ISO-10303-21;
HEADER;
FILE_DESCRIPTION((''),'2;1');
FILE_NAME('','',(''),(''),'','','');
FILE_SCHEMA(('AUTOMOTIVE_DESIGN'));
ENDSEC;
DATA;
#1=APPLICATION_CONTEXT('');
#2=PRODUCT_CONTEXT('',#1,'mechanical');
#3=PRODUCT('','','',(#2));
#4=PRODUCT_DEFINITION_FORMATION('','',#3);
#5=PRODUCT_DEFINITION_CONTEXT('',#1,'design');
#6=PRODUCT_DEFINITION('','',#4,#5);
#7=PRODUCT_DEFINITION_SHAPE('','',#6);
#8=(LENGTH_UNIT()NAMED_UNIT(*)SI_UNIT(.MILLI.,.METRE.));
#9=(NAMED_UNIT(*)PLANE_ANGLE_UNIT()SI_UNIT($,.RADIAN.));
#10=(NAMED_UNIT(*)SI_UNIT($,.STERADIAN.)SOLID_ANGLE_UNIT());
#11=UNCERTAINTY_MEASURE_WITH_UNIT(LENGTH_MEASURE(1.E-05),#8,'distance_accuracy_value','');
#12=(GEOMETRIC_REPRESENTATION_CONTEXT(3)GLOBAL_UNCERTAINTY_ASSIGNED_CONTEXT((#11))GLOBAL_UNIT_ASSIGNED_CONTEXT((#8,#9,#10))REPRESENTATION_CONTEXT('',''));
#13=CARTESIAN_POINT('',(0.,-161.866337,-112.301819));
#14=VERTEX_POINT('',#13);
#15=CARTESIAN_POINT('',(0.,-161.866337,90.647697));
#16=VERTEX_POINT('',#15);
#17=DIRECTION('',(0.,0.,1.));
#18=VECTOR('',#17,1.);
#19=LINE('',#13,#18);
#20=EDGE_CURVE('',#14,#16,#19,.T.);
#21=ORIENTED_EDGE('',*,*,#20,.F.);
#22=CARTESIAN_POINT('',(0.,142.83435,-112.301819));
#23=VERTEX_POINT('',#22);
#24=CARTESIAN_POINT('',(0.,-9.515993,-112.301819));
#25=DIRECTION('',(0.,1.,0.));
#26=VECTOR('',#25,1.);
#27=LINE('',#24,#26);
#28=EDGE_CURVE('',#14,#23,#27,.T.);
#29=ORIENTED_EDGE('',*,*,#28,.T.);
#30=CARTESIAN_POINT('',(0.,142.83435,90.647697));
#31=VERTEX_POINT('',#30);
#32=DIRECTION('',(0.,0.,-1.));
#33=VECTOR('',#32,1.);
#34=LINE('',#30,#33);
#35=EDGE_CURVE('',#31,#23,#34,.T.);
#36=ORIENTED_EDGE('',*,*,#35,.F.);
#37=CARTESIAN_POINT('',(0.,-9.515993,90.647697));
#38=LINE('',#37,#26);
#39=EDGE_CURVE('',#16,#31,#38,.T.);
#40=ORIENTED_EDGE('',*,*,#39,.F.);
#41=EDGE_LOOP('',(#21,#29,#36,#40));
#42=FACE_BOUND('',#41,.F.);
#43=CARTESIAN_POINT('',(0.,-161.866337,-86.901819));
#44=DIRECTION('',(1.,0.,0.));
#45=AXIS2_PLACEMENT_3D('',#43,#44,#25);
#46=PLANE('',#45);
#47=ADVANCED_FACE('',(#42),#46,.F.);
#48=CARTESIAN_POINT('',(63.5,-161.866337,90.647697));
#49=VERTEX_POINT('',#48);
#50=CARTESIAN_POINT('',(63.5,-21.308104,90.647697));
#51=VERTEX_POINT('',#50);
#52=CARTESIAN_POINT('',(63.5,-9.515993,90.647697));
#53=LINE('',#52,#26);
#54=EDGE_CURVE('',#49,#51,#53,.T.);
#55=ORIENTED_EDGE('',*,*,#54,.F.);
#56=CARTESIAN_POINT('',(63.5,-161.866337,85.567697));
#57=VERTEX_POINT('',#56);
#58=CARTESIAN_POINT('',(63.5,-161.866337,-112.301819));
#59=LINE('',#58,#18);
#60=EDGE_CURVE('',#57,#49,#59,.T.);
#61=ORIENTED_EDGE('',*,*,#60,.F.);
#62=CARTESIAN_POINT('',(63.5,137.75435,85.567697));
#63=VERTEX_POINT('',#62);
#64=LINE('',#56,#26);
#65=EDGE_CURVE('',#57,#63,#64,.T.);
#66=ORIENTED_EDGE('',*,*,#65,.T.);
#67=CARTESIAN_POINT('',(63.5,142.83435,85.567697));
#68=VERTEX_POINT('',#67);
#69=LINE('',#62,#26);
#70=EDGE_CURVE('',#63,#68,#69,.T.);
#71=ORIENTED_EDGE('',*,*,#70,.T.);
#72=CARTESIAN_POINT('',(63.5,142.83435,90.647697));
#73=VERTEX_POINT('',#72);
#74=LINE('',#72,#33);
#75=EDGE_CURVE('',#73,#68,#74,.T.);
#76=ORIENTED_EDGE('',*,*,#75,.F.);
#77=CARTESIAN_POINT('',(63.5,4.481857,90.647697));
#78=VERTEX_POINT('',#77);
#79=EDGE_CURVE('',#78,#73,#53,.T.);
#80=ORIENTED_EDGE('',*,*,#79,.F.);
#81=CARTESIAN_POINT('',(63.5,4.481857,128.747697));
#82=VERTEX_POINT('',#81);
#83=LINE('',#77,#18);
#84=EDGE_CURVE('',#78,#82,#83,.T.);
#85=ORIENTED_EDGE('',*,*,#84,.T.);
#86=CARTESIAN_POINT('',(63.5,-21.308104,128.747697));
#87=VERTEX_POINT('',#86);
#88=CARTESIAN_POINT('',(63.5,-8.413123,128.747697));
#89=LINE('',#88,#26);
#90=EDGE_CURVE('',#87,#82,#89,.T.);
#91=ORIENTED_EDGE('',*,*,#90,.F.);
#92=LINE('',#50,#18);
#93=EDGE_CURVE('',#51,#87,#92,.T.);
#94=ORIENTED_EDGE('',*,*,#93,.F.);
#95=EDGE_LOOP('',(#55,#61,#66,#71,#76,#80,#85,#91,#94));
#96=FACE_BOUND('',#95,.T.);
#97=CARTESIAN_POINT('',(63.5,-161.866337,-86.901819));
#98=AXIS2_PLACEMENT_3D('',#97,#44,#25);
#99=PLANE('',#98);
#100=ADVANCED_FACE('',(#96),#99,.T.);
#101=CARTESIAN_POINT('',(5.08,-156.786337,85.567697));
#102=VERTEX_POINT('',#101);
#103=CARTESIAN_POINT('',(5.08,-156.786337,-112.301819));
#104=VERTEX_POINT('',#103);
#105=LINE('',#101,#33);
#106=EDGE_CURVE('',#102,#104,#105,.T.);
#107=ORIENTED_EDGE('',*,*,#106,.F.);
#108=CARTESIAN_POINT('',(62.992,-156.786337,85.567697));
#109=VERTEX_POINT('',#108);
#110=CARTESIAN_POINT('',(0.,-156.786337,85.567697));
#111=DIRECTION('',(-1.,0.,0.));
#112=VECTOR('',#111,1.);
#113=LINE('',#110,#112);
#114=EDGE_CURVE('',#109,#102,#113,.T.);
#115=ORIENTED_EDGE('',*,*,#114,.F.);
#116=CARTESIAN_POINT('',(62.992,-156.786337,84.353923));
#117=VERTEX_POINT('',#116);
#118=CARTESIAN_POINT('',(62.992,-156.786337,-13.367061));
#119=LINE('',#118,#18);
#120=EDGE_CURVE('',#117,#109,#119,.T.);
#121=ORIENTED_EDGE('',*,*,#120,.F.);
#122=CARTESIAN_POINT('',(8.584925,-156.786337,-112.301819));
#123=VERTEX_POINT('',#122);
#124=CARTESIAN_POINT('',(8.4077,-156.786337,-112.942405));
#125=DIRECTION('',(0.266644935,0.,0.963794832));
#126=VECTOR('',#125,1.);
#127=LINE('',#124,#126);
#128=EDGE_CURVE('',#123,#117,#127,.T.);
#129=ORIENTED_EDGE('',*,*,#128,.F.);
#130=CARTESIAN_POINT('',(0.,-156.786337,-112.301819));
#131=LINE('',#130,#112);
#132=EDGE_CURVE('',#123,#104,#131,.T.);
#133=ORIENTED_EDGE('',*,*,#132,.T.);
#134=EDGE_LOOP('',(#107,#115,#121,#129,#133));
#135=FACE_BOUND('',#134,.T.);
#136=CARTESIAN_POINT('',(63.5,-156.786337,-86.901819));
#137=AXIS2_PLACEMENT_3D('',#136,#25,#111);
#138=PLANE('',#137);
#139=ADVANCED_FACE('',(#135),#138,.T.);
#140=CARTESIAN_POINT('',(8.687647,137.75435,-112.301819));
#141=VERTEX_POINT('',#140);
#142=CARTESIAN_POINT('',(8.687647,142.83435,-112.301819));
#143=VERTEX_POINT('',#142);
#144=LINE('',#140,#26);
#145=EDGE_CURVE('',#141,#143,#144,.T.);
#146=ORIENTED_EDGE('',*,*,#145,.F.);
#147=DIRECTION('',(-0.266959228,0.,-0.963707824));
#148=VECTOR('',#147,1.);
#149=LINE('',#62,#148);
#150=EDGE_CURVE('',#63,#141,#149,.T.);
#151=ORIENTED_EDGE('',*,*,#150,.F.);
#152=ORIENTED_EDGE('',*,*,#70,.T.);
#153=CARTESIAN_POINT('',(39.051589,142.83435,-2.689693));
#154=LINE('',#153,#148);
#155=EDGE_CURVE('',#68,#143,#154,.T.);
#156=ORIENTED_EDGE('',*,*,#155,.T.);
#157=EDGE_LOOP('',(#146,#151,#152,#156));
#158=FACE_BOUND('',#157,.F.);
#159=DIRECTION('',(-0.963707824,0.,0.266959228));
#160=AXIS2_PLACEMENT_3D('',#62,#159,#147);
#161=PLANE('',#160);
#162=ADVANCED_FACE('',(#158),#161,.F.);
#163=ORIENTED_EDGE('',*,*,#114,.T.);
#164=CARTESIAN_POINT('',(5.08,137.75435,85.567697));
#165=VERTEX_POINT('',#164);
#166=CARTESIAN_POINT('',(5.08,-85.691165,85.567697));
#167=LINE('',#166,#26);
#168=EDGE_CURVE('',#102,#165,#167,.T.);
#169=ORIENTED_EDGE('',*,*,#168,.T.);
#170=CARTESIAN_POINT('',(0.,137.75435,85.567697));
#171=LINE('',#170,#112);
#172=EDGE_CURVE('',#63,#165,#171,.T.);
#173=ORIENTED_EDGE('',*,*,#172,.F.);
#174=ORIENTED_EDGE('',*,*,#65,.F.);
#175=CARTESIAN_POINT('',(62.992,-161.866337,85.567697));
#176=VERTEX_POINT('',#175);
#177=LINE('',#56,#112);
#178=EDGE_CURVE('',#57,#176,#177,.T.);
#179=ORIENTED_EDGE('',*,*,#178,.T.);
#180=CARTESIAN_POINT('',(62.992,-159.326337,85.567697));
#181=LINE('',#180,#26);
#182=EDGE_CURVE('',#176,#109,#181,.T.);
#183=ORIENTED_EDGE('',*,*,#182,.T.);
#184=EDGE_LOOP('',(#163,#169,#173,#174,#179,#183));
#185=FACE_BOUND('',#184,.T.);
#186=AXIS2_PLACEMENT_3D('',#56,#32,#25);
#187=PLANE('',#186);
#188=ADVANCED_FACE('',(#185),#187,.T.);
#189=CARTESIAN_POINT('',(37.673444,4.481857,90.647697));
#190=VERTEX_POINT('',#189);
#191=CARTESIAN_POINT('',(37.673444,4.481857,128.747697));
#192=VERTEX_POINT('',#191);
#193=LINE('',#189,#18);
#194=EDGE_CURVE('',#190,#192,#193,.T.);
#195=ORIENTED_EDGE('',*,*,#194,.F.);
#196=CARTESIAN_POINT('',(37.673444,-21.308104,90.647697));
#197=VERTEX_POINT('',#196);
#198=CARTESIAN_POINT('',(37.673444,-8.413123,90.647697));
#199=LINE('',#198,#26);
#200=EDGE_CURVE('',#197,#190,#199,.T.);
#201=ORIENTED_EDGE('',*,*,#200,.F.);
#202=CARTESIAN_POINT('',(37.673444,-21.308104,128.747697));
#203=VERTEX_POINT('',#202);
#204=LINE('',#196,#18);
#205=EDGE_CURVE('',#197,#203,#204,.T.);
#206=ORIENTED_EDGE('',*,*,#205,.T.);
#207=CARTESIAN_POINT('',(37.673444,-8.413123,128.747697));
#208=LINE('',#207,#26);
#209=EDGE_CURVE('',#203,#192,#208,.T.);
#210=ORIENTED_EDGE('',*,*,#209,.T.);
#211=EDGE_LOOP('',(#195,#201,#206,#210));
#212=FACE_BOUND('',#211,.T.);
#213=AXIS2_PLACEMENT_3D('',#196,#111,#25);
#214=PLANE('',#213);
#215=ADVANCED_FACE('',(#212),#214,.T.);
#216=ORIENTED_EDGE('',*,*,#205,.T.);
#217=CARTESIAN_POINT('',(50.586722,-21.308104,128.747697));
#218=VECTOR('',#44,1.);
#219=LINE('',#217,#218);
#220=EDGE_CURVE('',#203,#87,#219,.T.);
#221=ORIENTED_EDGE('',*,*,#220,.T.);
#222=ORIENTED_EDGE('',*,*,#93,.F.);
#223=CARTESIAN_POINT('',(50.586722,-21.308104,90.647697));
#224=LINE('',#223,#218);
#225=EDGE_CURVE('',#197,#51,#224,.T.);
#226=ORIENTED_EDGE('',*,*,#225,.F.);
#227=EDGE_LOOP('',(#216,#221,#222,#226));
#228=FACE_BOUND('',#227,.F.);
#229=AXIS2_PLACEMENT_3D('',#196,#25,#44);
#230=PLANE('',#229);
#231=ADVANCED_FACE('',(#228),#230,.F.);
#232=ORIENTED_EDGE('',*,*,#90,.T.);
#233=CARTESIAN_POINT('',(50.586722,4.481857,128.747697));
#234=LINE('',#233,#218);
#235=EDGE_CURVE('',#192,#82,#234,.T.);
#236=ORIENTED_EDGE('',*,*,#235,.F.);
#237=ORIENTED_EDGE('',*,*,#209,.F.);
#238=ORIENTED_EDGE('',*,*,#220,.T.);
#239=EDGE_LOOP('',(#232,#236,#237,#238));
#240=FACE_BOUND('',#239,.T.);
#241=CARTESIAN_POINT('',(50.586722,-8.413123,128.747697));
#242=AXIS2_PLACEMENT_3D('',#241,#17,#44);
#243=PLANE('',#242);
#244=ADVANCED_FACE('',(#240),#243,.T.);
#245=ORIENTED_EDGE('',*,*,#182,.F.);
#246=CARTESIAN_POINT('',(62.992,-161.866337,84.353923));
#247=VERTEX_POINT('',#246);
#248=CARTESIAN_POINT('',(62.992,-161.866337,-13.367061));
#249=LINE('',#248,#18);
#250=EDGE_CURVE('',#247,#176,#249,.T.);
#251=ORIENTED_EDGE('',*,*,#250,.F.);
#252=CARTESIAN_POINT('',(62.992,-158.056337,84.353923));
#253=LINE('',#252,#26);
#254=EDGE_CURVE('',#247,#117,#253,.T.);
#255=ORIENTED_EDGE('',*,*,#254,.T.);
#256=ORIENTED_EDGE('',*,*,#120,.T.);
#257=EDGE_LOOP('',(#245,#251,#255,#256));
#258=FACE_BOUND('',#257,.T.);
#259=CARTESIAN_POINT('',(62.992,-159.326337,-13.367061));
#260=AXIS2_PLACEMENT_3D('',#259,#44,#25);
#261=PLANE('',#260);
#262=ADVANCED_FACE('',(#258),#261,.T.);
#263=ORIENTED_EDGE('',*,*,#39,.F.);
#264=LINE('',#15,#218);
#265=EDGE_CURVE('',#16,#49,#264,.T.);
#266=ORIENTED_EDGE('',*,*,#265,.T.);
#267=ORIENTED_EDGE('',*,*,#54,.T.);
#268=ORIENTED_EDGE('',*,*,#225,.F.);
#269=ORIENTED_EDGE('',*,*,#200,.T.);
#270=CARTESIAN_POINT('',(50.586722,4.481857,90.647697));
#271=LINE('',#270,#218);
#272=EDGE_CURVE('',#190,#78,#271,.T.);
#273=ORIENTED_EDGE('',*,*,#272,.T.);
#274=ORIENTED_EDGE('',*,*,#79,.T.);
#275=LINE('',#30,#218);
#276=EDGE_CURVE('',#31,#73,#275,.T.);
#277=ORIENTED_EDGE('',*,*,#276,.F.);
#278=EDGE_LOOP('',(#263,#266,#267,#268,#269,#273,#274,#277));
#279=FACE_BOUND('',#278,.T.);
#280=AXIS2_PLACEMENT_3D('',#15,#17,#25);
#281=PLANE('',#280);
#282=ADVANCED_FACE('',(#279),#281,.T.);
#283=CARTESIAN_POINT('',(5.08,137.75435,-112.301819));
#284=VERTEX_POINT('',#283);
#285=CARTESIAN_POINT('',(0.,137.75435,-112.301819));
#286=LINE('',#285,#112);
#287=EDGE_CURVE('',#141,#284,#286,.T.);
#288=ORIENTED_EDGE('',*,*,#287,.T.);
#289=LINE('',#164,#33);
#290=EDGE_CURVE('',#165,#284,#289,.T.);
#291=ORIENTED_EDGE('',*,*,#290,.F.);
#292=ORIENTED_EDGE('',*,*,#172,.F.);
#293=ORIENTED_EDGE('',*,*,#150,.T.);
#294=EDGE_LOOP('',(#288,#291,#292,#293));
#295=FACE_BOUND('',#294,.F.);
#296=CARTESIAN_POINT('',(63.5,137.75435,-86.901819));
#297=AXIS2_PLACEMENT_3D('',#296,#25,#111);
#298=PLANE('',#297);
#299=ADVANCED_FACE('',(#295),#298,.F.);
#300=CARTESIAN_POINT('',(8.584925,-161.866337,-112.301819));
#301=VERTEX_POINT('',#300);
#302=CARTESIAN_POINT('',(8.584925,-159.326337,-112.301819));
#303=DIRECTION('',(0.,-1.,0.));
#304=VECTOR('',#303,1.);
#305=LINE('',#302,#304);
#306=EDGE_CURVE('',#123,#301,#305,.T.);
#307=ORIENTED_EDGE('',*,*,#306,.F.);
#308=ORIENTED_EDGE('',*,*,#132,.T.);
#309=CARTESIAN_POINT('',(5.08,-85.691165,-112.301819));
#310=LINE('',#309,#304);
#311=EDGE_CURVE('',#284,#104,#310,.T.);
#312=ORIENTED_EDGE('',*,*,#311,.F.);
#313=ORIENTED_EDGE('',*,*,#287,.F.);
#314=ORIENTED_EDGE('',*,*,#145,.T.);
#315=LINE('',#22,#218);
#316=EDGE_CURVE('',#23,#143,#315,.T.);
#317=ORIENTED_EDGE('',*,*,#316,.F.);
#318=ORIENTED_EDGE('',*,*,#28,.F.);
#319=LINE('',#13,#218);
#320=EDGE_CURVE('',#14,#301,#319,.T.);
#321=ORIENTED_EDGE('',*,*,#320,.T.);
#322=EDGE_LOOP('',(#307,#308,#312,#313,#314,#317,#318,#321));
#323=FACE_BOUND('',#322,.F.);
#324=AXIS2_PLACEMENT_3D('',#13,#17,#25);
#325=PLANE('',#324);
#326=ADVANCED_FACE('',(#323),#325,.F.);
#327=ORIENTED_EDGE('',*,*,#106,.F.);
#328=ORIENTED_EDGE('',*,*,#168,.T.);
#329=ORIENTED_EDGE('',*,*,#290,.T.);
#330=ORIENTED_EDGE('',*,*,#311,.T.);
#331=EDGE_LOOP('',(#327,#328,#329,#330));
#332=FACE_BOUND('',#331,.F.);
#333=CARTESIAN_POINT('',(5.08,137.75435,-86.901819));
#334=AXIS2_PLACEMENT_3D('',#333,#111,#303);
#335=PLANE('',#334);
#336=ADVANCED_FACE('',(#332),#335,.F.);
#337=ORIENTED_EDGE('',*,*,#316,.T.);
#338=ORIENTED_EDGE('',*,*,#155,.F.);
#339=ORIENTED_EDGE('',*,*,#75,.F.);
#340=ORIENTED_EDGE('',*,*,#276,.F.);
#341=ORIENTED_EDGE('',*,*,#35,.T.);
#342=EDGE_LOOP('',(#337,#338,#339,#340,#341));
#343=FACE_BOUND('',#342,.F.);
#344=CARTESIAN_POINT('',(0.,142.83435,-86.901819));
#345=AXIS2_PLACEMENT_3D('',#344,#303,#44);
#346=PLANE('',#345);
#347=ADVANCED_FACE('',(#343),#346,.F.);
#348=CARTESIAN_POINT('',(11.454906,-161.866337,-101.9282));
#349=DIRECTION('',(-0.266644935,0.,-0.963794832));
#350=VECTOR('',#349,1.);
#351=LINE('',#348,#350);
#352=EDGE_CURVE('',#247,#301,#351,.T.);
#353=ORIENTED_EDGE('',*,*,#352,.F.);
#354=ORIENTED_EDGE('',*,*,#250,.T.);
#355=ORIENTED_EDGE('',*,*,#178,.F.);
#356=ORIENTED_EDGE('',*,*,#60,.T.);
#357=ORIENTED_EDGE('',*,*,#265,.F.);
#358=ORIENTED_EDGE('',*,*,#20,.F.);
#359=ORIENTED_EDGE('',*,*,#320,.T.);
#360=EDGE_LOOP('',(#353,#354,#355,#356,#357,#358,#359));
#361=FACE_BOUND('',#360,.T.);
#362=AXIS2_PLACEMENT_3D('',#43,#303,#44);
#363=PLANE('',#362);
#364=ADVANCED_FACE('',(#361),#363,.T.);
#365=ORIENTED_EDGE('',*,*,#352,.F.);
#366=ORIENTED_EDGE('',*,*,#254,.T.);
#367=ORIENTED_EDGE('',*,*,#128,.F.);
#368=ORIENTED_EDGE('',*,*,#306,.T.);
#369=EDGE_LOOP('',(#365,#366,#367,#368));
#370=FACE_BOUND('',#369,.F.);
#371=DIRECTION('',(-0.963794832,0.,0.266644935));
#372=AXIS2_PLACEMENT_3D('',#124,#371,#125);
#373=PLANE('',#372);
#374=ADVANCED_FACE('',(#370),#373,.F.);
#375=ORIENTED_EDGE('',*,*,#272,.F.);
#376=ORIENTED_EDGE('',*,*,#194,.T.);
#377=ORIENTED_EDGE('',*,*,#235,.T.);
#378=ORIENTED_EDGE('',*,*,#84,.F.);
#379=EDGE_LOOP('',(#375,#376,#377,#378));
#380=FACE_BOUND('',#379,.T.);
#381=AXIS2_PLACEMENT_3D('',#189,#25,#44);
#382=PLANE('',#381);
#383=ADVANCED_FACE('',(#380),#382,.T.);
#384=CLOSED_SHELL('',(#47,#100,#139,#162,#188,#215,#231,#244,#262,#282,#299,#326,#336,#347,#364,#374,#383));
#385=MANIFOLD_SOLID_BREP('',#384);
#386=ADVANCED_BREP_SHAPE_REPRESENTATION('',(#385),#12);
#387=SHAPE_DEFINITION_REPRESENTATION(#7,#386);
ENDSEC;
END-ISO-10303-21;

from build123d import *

# Parameters (mm, degrees)
F0_W      = 304.7006875277
F0_H      = 202.9495164752
F1_DEPTH  = 63.5
F2_T      = -5.08
F3_DEPTH  = 25.4
F4_DEPTH  = 25.4
F7_DEPTH  = 123.952
F9_DEPTH  = 25.4
F10_W     = 5.08
F10_H     = 197.8695164752
F11_DEPTH = 0.508
F12_W     = 25.8265564442
F12_H     = 25.7899604912
F13_DEPTH = 38.1


with BuildPart() as f1:
    # F0 (on Right) → F1 (new body)
    with BuildSketch(Plane.YZ):
        with Locations((-9.5159932971, -10.8270607889)):
            Rectangle(F0_W, F0_H)
    extrude(amount=F1_DEPTH)

    # F2
    f2_openings = [f1.faces().sort_by_distance(p)[0] for p in [
        (63.5, -9.515993, -10.827061),
    ]]
    offset(amount=F2_T, openings=f2_openings)

    # F3 (cut): a face of the model
    f3_faces = [f1.faces().sort_by_distance(p)[0] for p in [
        (31.75, -9.5159932971, -112.3018190265),
    ]]
    extrude(f3_faces, amount=-F3_DEPTH, mode=Mode.SUBTRACT)

    # F4 (add): a face of the model
    f4_faces = [f1.faces().sort_by_distance(p)[0] for p in [
        (3.1124710277, -9.5159932971, -86.9018190265),
    ]]
    extrude(f4_faces, amount=F4_DEPTH)

    # F6 (on face) → F7 (cut)
    with BuildSketch(Plane.XZ.offset(-137.7543504667)):
        Polygon((63.5, -112.3018190265), (63.5, 85.5676974487), (8.6876470596, -112.3018190265), align=None)
    extrude(amount=-F7_DEPTH, mode=Mode.SUBTRACT)

    # F8 (on face) → F9 (cut)
    with BuildSketch(Plane(origin=(0, -156.7863370609, 0), x_dir=(-1, 0, 0), z_dir=(0, 1, 0))):
        Polygon((-8.4076998755, -112.942405045), (-63.1341859698, 84.8678573966), (-63.1341859698, -112.942405045), align=None)
    extrude(amount=-F9_DEPTH, mode=Mode.SUBTRACT)

    # F10 (on face) → F11 (cut)
    with BuildSketch(Plane.YZ.offset(63.5)):
        with Locations((-159.3263370609, -13.3670607889)):
            Rectangle(F10_W, F10_H)
    extrude(amount=-F11_DEPTH, mode=Mode.SUBTRACT)

    # F12 (on face) → F13 (join)
    with BuildSketch(Plane.XY.offset(90.6476974487)):
        with Locations((50.5867217779, -8.4131233307)):
            Rectangle(F12_W, F12_H)
    extrude(amount=F13_DEPTH)


solid = f1.part
